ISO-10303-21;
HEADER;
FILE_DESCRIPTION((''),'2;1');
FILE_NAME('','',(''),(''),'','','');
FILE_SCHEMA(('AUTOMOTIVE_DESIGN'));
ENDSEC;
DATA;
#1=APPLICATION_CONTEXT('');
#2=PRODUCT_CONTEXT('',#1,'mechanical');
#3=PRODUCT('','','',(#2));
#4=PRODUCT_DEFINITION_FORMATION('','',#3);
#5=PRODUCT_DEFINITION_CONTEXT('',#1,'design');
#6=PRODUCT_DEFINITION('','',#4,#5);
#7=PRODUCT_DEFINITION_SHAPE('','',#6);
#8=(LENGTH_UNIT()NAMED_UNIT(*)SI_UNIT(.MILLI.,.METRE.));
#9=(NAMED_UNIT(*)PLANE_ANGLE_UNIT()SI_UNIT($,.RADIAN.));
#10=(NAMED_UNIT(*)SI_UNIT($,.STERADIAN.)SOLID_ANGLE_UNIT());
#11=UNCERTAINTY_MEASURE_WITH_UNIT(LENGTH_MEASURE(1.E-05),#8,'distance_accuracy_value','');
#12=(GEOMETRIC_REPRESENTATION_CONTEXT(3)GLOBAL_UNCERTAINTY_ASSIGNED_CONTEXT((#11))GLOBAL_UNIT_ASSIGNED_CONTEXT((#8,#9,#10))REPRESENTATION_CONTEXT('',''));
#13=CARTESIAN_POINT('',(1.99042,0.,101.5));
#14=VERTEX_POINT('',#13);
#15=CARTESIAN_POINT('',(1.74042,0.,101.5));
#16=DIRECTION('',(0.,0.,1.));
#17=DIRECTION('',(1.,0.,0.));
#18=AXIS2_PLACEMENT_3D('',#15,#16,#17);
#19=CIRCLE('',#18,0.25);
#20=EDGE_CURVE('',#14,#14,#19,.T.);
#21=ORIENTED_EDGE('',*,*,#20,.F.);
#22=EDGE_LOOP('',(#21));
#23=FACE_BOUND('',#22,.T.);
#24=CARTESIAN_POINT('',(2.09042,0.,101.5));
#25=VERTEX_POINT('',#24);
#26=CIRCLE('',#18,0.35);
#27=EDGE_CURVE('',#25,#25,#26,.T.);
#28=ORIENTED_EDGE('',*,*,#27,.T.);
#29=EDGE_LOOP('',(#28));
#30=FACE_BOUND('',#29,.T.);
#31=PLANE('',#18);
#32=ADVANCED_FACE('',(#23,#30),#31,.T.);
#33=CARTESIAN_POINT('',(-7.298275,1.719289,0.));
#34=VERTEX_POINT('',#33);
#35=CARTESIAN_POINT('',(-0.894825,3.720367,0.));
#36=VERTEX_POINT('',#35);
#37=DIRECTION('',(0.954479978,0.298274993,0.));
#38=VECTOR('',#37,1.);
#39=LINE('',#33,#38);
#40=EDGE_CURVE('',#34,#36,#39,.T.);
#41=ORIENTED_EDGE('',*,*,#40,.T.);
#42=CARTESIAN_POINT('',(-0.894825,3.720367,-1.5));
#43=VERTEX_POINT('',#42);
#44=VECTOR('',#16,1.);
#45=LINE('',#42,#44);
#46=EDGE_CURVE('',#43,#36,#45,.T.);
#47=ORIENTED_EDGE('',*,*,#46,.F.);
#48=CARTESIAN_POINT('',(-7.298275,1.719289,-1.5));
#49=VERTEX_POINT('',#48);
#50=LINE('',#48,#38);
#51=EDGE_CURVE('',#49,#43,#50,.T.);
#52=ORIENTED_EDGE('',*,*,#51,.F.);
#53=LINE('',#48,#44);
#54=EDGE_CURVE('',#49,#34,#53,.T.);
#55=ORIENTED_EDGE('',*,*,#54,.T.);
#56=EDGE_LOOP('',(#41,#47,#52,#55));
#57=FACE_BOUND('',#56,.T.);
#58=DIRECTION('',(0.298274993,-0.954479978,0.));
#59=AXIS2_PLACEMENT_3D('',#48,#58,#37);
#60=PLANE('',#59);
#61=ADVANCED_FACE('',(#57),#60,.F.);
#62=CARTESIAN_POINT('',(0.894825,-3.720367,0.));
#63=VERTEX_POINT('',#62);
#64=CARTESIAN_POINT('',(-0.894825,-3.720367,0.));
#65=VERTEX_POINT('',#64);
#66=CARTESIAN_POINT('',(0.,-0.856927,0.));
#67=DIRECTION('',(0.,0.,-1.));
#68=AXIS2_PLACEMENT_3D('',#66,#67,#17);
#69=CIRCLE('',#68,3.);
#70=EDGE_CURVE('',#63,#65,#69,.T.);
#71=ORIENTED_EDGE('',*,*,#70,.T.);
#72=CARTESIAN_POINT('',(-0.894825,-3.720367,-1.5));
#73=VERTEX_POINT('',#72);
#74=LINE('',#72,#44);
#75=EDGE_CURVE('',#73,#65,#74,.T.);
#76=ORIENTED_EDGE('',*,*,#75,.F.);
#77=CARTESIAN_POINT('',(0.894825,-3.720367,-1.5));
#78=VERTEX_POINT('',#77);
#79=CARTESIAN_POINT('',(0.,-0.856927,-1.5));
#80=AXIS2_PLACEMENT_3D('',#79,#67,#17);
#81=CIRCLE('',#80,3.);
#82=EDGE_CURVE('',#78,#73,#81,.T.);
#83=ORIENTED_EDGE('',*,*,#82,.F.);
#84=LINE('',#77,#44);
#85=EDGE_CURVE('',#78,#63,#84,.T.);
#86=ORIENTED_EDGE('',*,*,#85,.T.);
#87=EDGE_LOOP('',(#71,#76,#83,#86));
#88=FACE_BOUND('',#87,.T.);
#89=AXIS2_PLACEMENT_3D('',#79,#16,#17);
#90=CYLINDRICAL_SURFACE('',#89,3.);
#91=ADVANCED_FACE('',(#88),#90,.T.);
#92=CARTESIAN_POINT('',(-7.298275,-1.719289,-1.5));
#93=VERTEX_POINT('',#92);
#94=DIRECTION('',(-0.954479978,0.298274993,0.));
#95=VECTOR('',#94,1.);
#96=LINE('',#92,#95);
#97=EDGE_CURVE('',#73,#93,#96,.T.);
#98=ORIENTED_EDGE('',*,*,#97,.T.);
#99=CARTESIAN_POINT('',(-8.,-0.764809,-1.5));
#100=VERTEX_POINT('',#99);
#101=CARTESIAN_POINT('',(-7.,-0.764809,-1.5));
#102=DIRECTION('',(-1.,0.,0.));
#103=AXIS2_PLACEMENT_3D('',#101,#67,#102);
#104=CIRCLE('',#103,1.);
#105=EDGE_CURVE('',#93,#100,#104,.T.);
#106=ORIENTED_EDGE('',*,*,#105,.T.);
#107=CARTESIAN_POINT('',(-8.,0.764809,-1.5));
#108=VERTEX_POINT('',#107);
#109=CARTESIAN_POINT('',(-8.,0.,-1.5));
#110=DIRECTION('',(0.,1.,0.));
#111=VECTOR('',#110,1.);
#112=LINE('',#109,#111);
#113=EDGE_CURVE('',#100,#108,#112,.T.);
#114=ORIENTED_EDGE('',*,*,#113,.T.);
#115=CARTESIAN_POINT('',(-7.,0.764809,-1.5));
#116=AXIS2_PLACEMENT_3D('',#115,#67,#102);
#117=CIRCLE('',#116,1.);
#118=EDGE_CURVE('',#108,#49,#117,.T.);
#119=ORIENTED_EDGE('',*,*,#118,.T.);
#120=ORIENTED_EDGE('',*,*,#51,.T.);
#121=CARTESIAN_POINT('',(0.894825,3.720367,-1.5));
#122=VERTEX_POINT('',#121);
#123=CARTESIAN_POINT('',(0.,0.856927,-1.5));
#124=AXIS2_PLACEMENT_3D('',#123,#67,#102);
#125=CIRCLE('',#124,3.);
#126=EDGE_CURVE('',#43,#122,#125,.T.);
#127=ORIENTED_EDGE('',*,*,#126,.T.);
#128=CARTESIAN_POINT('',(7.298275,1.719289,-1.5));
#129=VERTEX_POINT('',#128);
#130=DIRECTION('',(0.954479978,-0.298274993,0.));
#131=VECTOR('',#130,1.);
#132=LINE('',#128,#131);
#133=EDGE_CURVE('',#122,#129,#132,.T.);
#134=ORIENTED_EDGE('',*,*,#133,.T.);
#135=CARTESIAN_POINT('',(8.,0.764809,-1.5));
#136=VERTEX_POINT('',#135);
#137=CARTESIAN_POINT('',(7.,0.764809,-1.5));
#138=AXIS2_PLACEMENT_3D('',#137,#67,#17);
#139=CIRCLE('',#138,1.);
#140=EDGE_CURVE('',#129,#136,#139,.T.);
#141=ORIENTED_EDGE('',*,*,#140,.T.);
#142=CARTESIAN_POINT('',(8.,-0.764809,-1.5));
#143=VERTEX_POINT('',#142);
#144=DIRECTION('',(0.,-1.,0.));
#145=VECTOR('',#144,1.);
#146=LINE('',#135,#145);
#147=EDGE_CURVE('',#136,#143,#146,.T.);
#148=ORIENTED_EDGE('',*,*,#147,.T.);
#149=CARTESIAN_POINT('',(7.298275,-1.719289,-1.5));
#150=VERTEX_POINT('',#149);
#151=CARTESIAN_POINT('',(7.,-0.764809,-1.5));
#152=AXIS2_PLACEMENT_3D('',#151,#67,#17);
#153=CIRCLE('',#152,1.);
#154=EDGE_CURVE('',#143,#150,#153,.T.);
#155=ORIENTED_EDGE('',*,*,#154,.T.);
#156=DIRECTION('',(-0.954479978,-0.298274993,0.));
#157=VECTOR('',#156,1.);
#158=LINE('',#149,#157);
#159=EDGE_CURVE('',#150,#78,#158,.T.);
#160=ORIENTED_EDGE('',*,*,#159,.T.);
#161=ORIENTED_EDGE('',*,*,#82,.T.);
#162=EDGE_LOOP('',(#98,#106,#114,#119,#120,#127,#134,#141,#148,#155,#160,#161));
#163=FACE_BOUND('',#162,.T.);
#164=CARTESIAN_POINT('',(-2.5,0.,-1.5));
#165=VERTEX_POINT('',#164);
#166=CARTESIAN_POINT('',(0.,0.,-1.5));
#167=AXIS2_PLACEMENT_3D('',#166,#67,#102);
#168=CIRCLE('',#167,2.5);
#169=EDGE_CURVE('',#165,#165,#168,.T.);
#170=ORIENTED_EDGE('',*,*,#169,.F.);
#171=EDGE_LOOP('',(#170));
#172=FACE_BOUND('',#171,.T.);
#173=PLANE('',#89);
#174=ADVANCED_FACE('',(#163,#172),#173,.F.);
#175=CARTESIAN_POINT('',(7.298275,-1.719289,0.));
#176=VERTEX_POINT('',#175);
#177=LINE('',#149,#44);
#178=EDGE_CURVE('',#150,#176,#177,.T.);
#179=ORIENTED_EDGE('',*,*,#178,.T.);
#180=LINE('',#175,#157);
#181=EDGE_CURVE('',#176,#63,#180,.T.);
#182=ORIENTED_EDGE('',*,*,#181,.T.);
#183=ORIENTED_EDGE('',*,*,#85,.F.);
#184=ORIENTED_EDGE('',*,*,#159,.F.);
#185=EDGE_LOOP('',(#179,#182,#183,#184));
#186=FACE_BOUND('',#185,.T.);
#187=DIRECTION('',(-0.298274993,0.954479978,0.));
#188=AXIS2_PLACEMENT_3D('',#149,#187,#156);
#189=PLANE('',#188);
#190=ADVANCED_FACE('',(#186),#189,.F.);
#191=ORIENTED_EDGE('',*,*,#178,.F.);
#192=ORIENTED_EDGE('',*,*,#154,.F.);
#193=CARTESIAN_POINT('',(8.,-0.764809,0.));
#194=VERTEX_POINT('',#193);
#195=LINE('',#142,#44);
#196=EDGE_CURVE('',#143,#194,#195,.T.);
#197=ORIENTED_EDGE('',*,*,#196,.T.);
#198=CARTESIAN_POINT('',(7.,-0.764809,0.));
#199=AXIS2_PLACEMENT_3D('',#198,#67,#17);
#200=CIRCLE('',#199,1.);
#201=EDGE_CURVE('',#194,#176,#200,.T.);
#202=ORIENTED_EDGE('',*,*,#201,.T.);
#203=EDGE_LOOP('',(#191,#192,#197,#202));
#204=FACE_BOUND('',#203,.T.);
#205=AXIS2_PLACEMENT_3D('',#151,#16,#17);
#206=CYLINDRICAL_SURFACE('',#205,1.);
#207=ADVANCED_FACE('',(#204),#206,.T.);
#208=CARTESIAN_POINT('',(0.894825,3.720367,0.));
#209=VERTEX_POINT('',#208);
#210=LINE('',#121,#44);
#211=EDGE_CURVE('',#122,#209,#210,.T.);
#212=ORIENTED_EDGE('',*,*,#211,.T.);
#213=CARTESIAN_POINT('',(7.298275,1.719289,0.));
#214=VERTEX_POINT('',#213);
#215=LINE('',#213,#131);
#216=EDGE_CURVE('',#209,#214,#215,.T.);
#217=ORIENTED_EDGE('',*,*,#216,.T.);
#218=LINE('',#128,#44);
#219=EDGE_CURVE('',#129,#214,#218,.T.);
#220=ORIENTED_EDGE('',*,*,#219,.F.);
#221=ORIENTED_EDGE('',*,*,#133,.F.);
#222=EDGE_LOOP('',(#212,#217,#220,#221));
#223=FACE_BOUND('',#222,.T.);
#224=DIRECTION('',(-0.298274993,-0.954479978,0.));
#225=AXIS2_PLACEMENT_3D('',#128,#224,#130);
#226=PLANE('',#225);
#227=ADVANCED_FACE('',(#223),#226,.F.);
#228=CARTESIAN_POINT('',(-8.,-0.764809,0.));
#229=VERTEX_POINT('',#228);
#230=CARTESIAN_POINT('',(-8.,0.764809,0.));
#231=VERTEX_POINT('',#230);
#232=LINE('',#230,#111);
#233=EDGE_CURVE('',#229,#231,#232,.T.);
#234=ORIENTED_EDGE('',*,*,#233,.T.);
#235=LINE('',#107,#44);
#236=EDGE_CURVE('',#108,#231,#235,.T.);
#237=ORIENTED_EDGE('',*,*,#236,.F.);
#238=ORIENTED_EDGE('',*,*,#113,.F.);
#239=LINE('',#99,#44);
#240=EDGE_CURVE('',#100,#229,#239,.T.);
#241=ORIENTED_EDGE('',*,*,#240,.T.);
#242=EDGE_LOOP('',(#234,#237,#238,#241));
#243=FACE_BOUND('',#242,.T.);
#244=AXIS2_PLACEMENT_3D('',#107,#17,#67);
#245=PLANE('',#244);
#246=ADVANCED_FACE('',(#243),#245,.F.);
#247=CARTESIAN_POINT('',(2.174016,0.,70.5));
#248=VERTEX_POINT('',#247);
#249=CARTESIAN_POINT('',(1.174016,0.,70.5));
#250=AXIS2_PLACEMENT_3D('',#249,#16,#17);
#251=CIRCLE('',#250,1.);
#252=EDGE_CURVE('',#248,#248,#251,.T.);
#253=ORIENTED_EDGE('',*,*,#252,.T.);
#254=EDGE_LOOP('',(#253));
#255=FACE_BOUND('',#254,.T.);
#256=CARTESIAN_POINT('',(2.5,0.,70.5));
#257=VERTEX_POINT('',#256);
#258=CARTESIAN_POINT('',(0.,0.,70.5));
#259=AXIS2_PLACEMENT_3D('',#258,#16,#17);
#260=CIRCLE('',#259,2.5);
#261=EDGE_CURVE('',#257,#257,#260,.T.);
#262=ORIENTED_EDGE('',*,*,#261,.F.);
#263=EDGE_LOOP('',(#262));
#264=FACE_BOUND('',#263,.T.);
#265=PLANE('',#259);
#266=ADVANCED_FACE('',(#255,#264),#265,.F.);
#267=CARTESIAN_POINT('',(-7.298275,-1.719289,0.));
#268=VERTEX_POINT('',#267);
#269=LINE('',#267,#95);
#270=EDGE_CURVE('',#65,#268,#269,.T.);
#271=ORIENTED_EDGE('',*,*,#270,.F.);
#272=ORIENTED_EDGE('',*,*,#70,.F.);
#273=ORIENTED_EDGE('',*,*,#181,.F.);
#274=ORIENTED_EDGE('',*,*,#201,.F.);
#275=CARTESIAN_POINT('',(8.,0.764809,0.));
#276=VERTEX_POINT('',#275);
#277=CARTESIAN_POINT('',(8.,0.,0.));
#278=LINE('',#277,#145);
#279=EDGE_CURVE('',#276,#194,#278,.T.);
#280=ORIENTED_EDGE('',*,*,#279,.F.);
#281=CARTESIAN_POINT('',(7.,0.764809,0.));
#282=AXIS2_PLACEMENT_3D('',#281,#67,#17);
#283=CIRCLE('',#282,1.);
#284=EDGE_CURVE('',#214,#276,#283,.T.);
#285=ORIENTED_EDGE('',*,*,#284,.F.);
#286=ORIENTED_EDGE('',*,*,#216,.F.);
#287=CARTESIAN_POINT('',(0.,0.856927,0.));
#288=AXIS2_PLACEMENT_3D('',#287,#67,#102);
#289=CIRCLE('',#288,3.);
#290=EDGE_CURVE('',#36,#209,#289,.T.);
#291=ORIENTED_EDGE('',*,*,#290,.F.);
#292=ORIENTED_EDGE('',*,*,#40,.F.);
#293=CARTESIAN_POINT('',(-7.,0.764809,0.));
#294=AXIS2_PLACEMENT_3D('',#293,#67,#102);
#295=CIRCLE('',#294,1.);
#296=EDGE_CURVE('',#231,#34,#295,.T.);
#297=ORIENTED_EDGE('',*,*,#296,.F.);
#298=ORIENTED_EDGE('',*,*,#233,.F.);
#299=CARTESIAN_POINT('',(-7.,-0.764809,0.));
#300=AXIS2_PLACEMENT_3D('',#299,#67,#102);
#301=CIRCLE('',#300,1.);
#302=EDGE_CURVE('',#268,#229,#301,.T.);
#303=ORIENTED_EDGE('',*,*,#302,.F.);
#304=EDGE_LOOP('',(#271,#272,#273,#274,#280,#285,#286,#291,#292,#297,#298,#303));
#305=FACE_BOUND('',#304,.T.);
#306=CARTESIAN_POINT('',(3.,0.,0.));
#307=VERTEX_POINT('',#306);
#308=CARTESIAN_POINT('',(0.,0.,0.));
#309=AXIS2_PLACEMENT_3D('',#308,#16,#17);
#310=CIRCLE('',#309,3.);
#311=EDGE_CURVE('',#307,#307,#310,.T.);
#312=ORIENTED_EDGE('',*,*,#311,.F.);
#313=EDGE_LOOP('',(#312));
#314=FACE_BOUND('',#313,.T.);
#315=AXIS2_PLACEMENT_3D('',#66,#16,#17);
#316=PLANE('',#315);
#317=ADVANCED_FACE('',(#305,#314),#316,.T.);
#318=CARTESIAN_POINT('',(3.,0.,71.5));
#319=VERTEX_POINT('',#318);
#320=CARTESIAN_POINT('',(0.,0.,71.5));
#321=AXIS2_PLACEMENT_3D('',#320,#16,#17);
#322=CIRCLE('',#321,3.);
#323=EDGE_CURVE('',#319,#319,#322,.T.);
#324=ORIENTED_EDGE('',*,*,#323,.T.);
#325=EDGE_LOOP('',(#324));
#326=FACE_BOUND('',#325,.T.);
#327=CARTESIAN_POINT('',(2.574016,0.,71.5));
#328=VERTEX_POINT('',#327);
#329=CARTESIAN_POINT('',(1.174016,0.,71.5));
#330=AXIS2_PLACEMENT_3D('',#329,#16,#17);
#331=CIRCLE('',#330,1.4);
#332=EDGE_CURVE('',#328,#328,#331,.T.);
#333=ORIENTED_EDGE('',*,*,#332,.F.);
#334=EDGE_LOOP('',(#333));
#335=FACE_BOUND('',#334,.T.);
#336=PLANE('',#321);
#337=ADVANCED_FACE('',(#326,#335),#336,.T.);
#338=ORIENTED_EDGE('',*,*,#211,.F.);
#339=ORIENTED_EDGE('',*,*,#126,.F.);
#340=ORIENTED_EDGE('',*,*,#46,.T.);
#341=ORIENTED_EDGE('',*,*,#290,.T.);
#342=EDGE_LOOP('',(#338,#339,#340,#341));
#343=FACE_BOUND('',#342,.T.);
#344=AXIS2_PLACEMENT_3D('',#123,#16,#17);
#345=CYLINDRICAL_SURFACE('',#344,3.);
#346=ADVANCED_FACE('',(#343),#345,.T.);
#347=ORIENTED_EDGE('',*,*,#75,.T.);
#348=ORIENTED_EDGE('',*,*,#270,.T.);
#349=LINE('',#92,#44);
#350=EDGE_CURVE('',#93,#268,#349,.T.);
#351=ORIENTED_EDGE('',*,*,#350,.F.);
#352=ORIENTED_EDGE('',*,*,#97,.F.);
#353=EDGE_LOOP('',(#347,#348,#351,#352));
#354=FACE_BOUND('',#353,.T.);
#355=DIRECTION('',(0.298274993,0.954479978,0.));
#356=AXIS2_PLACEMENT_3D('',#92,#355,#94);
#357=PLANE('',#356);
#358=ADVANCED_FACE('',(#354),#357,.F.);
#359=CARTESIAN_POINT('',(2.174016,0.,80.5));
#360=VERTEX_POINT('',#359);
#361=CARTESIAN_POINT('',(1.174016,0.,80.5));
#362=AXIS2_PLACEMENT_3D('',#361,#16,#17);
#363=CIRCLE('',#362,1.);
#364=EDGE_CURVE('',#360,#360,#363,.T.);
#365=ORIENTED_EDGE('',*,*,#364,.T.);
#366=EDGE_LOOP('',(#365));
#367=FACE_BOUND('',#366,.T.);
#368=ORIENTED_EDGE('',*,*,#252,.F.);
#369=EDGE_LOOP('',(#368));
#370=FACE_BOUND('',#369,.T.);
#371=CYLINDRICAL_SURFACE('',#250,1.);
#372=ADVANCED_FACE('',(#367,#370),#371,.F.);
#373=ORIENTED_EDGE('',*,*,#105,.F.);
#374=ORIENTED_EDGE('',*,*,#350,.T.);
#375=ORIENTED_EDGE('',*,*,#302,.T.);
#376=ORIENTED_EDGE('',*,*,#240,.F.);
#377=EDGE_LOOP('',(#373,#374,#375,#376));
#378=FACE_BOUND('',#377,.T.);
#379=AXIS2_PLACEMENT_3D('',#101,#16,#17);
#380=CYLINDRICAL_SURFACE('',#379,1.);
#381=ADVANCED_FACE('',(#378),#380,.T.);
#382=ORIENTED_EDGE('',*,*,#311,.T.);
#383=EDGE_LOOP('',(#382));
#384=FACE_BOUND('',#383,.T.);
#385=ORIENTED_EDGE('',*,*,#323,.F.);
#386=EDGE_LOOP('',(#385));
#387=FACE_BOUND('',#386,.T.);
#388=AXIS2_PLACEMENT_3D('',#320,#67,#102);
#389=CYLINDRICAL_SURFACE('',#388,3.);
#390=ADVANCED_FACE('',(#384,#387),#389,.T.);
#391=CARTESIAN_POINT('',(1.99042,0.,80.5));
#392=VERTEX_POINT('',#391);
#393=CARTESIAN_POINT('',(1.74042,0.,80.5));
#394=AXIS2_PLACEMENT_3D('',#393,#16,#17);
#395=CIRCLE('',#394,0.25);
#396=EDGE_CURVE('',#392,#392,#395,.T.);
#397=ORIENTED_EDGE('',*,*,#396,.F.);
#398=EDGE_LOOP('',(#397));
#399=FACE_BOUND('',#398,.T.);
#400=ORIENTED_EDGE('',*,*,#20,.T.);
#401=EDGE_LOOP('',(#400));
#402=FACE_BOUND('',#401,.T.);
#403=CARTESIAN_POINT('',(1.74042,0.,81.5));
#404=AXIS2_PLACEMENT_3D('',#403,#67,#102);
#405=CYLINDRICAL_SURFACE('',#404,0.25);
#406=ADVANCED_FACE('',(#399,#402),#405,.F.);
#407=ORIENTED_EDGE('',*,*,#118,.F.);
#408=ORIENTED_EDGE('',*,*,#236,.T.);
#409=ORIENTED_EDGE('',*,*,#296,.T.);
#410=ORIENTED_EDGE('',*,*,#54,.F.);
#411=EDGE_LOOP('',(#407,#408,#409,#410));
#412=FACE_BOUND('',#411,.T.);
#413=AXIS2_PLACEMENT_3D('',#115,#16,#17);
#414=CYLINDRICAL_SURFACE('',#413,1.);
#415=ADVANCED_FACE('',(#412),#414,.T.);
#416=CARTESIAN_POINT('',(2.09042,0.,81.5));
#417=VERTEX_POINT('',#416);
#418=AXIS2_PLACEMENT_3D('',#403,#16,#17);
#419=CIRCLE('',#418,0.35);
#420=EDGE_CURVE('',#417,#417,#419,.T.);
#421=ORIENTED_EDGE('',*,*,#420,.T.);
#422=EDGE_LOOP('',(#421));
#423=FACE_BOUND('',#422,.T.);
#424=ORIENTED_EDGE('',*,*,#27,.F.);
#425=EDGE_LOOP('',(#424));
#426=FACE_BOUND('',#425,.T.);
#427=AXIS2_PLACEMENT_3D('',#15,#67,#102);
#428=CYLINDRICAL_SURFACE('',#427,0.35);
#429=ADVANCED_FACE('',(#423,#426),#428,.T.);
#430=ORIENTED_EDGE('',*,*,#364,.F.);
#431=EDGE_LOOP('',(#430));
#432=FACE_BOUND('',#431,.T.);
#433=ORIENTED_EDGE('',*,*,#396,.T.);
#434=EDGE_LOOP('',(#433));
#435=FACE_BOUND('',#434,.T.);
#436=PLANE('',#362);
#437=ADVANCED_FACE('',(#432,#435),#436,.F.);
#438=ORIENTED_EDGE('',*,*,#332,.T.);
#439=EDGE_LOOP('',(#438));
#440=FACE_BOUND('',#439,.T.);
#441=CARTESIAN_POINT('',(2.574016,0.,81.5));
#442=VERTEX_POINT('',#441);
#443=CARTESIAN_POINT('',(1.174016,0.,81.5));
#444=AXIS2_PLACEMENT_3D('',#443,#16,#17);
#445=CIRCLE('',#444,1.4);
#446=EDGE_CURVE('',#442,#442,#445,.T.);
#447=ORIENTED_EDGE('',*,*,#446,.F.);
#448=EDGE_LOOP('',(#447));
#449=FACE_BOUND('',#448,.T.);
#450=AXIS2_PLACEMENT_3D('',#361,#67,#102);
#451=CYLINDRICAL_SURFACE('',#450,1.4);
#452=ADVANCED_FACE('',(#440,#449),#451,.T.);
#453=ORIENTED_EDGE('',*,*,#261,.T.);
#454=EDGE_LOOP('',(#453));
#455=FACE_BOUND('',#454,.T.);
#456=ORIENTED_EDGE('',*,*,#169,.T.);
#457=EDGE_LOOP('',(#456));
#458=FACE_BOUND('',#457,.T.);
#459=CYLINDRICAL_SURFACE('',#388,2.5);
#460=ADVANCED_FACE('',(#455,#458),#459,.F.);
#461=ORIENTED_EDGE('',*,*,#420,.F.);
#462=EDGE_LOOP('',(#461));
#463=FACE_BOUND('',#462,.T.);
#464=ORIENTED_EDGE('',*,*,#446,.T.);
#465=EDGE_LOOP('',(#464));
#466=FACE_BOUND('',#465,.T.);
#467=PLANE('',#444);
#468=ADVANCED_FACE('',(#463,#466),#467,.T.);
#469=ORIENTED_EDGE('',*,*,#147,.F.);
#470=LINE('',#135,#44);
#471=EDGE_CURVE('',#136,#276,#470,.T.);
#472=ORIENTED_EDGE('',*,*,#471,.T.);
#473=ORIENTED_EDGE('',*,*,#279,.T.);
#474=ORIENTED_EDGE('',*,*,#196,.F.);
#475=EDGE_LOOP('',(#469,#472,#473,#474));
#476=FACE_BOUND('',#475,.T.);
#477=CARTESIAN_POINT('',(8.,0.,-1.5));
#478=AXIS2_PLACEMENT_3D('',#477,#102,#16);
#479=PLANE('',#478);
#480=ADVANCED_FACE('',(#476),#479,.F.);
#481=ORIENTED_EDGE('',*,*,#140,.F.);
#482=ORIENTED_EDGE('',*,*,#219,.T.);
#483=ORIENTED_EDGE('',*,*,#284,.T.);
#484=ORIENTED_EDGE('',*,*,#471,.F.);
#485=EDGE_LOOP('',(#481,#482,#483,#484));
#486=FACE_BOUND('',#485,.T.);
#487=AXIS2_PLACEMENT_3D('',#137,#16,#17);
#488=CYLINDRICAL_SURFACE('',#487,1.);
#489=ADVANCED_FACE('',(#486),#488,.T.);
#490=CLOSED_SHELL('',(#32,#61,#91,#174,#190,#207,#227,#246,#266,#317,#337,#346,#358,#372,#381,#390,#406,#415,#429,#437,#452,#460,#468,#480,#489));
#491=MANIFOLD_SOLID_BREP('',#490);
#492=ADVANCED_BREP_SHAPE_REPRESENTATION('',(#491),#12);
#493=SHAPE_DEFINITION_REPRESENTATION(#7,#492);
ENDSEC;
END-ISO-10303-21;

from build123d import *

# Parameters (mm, degrees)
SKETCH_1_R      = 3
SKETCH_1_R_2    = 2.5
EXTRUDE_1_DEPTH = 71.5
SKETCH_2_R      = 3
SKETCH_2_R_2    = 1
EXTRUDE_2_DEPTH = 1
SKETCH_3_R      = 2.5
EXTRUDE_3_DEPTH = 1.5
SKETCH_4_R      = 1.4
SKETCH_4_R_2    = 1
EXTRUDE_4_DEPTH = 9
SKETCH_5_R      = 1.4
SKETCH_5_R_2    = 0.25
EXTRUDE_5_DEPTH = 1
SKETCH_6_R      = 0.35
SKETCH_6_R_2    = 0.25
EXTRUDE_6_DEPTH = 20


with BuildPart() as part:
    # 草图1 → 凸台-拉伸1 (new body)
    with BuildSketch(Plane.XY):
        Circle(SKETCH_1_R)
        Circle(SKETCH_1_R_2, mode=Mode.SUBTRACT)
    extrude(amount=EXTRUDE_1_DEPTH)

    # 草图2 → 凸台-拉伸2 (add)
    with BuildSketch(Plane.XY.offset(71.5)):
        Circle(SKETCH_2_R)
        with Locations((1.174015937, 0)):
            Circle(SKETCH_2_R_2, mode=Mode.SUBTRACT)
    extrude(amount=-EXTRUDE_2_DEPTH)

    # 草图3 → 凸台-拉伸3 (add)
    with BuildSketch(Plane(origin=(0, 0, 0), x_dir=(-1, 0, 0), z_dir=(0, 0, -1))):
        with BuildLine():
            Line((7.298274993, -1.719289065), (0.894824979, -3.720367194))
            ThreePointArc((0.894824979, -3.720367194), (0, -3.85692726), (-0.894824979, -3.720367194))
            Line((-0.894824979, -3.720367194), (-7.298274993, -1.719289065))
            ThreePointArc((-7.298274993, -1.719289065), (-7.805690695, -1.357145565), (-8, -0.764809087))
            Line((-8, -0.764809087), (-8, 0))
            Line((-8, 0), (-8, 0.764809087))
            ThreePointArc((-8, 0.764809087), (-7.805690695, 1.357145565), (-7.298274993, 1.719289065))
            Line((-7.298274993, 1.719289065), (-0.894824979, 3.720367194))
            ThreePointArc((-0.894824979, 3.720367194), (0, 3.85692726), (0.894824979, 3.720367194))
            Line((0.894824979, 3.720367194), (7.298274993, 1.719289065))
            ThreePointArc((7.298274993, 1.719289065), (7.805690695, 1.357145565), (8, 0.764809087))
            Line((8, 0.764809087), (8, 0))
            Line((8, 0), (8, -0.764809087))
            ThreePointArc((8, -0.764809087), (7.805690695, -1.357145565), (7.298274993, -1.719289065))
        make_face()
        Circle(SKETCH_3_R, mode=Mode.SUBTRACT)
    extrude(amount=EXTRUDE_3_DEPTH)

    # 草图4 → 凸台-拉伸4 (add)
    with BuildSketch(Plane.XY.offset(71.5)):
        with Locations((1.174015937, 0)):
            Circle(SKETCH_4_R)
        with Locations((1.174015937, 0)):
            Circle(SKETCH_4_R_2, mode=Mode.SUBTRACT)
    extrude(amount=EXTRUDE_4_DEPTH)

    # 草图5 → 凸台-拉伸5 (add)
    with BuildSketch(Plane.XY.offset(80.5)):
        with Locations((1.174015937, 0)):
            Circle(SKETCH_5_R)
        with Locations((1.74042038, 0)):
            Circle(SKETCH_5_R_2, mode=Mode.SUBTRACT)
    extrude(amount=EXTRUDE_5_DEPTH)

    # 草图6 → 凸台-拉伸6 (add)
    with BuildSketch(Plane.XY.offset(81.5)):
        with Locations((1.74042038, 0)):
            Circle(SKETCH_6_R)
        with Locations((1.74042038, 0)):
            Circle(SKETCH_6_R_2, mode=Mode.SUBTRACT)
    extrude(amount=EXTRUDE_6_DEPTH)


solid = part.part
